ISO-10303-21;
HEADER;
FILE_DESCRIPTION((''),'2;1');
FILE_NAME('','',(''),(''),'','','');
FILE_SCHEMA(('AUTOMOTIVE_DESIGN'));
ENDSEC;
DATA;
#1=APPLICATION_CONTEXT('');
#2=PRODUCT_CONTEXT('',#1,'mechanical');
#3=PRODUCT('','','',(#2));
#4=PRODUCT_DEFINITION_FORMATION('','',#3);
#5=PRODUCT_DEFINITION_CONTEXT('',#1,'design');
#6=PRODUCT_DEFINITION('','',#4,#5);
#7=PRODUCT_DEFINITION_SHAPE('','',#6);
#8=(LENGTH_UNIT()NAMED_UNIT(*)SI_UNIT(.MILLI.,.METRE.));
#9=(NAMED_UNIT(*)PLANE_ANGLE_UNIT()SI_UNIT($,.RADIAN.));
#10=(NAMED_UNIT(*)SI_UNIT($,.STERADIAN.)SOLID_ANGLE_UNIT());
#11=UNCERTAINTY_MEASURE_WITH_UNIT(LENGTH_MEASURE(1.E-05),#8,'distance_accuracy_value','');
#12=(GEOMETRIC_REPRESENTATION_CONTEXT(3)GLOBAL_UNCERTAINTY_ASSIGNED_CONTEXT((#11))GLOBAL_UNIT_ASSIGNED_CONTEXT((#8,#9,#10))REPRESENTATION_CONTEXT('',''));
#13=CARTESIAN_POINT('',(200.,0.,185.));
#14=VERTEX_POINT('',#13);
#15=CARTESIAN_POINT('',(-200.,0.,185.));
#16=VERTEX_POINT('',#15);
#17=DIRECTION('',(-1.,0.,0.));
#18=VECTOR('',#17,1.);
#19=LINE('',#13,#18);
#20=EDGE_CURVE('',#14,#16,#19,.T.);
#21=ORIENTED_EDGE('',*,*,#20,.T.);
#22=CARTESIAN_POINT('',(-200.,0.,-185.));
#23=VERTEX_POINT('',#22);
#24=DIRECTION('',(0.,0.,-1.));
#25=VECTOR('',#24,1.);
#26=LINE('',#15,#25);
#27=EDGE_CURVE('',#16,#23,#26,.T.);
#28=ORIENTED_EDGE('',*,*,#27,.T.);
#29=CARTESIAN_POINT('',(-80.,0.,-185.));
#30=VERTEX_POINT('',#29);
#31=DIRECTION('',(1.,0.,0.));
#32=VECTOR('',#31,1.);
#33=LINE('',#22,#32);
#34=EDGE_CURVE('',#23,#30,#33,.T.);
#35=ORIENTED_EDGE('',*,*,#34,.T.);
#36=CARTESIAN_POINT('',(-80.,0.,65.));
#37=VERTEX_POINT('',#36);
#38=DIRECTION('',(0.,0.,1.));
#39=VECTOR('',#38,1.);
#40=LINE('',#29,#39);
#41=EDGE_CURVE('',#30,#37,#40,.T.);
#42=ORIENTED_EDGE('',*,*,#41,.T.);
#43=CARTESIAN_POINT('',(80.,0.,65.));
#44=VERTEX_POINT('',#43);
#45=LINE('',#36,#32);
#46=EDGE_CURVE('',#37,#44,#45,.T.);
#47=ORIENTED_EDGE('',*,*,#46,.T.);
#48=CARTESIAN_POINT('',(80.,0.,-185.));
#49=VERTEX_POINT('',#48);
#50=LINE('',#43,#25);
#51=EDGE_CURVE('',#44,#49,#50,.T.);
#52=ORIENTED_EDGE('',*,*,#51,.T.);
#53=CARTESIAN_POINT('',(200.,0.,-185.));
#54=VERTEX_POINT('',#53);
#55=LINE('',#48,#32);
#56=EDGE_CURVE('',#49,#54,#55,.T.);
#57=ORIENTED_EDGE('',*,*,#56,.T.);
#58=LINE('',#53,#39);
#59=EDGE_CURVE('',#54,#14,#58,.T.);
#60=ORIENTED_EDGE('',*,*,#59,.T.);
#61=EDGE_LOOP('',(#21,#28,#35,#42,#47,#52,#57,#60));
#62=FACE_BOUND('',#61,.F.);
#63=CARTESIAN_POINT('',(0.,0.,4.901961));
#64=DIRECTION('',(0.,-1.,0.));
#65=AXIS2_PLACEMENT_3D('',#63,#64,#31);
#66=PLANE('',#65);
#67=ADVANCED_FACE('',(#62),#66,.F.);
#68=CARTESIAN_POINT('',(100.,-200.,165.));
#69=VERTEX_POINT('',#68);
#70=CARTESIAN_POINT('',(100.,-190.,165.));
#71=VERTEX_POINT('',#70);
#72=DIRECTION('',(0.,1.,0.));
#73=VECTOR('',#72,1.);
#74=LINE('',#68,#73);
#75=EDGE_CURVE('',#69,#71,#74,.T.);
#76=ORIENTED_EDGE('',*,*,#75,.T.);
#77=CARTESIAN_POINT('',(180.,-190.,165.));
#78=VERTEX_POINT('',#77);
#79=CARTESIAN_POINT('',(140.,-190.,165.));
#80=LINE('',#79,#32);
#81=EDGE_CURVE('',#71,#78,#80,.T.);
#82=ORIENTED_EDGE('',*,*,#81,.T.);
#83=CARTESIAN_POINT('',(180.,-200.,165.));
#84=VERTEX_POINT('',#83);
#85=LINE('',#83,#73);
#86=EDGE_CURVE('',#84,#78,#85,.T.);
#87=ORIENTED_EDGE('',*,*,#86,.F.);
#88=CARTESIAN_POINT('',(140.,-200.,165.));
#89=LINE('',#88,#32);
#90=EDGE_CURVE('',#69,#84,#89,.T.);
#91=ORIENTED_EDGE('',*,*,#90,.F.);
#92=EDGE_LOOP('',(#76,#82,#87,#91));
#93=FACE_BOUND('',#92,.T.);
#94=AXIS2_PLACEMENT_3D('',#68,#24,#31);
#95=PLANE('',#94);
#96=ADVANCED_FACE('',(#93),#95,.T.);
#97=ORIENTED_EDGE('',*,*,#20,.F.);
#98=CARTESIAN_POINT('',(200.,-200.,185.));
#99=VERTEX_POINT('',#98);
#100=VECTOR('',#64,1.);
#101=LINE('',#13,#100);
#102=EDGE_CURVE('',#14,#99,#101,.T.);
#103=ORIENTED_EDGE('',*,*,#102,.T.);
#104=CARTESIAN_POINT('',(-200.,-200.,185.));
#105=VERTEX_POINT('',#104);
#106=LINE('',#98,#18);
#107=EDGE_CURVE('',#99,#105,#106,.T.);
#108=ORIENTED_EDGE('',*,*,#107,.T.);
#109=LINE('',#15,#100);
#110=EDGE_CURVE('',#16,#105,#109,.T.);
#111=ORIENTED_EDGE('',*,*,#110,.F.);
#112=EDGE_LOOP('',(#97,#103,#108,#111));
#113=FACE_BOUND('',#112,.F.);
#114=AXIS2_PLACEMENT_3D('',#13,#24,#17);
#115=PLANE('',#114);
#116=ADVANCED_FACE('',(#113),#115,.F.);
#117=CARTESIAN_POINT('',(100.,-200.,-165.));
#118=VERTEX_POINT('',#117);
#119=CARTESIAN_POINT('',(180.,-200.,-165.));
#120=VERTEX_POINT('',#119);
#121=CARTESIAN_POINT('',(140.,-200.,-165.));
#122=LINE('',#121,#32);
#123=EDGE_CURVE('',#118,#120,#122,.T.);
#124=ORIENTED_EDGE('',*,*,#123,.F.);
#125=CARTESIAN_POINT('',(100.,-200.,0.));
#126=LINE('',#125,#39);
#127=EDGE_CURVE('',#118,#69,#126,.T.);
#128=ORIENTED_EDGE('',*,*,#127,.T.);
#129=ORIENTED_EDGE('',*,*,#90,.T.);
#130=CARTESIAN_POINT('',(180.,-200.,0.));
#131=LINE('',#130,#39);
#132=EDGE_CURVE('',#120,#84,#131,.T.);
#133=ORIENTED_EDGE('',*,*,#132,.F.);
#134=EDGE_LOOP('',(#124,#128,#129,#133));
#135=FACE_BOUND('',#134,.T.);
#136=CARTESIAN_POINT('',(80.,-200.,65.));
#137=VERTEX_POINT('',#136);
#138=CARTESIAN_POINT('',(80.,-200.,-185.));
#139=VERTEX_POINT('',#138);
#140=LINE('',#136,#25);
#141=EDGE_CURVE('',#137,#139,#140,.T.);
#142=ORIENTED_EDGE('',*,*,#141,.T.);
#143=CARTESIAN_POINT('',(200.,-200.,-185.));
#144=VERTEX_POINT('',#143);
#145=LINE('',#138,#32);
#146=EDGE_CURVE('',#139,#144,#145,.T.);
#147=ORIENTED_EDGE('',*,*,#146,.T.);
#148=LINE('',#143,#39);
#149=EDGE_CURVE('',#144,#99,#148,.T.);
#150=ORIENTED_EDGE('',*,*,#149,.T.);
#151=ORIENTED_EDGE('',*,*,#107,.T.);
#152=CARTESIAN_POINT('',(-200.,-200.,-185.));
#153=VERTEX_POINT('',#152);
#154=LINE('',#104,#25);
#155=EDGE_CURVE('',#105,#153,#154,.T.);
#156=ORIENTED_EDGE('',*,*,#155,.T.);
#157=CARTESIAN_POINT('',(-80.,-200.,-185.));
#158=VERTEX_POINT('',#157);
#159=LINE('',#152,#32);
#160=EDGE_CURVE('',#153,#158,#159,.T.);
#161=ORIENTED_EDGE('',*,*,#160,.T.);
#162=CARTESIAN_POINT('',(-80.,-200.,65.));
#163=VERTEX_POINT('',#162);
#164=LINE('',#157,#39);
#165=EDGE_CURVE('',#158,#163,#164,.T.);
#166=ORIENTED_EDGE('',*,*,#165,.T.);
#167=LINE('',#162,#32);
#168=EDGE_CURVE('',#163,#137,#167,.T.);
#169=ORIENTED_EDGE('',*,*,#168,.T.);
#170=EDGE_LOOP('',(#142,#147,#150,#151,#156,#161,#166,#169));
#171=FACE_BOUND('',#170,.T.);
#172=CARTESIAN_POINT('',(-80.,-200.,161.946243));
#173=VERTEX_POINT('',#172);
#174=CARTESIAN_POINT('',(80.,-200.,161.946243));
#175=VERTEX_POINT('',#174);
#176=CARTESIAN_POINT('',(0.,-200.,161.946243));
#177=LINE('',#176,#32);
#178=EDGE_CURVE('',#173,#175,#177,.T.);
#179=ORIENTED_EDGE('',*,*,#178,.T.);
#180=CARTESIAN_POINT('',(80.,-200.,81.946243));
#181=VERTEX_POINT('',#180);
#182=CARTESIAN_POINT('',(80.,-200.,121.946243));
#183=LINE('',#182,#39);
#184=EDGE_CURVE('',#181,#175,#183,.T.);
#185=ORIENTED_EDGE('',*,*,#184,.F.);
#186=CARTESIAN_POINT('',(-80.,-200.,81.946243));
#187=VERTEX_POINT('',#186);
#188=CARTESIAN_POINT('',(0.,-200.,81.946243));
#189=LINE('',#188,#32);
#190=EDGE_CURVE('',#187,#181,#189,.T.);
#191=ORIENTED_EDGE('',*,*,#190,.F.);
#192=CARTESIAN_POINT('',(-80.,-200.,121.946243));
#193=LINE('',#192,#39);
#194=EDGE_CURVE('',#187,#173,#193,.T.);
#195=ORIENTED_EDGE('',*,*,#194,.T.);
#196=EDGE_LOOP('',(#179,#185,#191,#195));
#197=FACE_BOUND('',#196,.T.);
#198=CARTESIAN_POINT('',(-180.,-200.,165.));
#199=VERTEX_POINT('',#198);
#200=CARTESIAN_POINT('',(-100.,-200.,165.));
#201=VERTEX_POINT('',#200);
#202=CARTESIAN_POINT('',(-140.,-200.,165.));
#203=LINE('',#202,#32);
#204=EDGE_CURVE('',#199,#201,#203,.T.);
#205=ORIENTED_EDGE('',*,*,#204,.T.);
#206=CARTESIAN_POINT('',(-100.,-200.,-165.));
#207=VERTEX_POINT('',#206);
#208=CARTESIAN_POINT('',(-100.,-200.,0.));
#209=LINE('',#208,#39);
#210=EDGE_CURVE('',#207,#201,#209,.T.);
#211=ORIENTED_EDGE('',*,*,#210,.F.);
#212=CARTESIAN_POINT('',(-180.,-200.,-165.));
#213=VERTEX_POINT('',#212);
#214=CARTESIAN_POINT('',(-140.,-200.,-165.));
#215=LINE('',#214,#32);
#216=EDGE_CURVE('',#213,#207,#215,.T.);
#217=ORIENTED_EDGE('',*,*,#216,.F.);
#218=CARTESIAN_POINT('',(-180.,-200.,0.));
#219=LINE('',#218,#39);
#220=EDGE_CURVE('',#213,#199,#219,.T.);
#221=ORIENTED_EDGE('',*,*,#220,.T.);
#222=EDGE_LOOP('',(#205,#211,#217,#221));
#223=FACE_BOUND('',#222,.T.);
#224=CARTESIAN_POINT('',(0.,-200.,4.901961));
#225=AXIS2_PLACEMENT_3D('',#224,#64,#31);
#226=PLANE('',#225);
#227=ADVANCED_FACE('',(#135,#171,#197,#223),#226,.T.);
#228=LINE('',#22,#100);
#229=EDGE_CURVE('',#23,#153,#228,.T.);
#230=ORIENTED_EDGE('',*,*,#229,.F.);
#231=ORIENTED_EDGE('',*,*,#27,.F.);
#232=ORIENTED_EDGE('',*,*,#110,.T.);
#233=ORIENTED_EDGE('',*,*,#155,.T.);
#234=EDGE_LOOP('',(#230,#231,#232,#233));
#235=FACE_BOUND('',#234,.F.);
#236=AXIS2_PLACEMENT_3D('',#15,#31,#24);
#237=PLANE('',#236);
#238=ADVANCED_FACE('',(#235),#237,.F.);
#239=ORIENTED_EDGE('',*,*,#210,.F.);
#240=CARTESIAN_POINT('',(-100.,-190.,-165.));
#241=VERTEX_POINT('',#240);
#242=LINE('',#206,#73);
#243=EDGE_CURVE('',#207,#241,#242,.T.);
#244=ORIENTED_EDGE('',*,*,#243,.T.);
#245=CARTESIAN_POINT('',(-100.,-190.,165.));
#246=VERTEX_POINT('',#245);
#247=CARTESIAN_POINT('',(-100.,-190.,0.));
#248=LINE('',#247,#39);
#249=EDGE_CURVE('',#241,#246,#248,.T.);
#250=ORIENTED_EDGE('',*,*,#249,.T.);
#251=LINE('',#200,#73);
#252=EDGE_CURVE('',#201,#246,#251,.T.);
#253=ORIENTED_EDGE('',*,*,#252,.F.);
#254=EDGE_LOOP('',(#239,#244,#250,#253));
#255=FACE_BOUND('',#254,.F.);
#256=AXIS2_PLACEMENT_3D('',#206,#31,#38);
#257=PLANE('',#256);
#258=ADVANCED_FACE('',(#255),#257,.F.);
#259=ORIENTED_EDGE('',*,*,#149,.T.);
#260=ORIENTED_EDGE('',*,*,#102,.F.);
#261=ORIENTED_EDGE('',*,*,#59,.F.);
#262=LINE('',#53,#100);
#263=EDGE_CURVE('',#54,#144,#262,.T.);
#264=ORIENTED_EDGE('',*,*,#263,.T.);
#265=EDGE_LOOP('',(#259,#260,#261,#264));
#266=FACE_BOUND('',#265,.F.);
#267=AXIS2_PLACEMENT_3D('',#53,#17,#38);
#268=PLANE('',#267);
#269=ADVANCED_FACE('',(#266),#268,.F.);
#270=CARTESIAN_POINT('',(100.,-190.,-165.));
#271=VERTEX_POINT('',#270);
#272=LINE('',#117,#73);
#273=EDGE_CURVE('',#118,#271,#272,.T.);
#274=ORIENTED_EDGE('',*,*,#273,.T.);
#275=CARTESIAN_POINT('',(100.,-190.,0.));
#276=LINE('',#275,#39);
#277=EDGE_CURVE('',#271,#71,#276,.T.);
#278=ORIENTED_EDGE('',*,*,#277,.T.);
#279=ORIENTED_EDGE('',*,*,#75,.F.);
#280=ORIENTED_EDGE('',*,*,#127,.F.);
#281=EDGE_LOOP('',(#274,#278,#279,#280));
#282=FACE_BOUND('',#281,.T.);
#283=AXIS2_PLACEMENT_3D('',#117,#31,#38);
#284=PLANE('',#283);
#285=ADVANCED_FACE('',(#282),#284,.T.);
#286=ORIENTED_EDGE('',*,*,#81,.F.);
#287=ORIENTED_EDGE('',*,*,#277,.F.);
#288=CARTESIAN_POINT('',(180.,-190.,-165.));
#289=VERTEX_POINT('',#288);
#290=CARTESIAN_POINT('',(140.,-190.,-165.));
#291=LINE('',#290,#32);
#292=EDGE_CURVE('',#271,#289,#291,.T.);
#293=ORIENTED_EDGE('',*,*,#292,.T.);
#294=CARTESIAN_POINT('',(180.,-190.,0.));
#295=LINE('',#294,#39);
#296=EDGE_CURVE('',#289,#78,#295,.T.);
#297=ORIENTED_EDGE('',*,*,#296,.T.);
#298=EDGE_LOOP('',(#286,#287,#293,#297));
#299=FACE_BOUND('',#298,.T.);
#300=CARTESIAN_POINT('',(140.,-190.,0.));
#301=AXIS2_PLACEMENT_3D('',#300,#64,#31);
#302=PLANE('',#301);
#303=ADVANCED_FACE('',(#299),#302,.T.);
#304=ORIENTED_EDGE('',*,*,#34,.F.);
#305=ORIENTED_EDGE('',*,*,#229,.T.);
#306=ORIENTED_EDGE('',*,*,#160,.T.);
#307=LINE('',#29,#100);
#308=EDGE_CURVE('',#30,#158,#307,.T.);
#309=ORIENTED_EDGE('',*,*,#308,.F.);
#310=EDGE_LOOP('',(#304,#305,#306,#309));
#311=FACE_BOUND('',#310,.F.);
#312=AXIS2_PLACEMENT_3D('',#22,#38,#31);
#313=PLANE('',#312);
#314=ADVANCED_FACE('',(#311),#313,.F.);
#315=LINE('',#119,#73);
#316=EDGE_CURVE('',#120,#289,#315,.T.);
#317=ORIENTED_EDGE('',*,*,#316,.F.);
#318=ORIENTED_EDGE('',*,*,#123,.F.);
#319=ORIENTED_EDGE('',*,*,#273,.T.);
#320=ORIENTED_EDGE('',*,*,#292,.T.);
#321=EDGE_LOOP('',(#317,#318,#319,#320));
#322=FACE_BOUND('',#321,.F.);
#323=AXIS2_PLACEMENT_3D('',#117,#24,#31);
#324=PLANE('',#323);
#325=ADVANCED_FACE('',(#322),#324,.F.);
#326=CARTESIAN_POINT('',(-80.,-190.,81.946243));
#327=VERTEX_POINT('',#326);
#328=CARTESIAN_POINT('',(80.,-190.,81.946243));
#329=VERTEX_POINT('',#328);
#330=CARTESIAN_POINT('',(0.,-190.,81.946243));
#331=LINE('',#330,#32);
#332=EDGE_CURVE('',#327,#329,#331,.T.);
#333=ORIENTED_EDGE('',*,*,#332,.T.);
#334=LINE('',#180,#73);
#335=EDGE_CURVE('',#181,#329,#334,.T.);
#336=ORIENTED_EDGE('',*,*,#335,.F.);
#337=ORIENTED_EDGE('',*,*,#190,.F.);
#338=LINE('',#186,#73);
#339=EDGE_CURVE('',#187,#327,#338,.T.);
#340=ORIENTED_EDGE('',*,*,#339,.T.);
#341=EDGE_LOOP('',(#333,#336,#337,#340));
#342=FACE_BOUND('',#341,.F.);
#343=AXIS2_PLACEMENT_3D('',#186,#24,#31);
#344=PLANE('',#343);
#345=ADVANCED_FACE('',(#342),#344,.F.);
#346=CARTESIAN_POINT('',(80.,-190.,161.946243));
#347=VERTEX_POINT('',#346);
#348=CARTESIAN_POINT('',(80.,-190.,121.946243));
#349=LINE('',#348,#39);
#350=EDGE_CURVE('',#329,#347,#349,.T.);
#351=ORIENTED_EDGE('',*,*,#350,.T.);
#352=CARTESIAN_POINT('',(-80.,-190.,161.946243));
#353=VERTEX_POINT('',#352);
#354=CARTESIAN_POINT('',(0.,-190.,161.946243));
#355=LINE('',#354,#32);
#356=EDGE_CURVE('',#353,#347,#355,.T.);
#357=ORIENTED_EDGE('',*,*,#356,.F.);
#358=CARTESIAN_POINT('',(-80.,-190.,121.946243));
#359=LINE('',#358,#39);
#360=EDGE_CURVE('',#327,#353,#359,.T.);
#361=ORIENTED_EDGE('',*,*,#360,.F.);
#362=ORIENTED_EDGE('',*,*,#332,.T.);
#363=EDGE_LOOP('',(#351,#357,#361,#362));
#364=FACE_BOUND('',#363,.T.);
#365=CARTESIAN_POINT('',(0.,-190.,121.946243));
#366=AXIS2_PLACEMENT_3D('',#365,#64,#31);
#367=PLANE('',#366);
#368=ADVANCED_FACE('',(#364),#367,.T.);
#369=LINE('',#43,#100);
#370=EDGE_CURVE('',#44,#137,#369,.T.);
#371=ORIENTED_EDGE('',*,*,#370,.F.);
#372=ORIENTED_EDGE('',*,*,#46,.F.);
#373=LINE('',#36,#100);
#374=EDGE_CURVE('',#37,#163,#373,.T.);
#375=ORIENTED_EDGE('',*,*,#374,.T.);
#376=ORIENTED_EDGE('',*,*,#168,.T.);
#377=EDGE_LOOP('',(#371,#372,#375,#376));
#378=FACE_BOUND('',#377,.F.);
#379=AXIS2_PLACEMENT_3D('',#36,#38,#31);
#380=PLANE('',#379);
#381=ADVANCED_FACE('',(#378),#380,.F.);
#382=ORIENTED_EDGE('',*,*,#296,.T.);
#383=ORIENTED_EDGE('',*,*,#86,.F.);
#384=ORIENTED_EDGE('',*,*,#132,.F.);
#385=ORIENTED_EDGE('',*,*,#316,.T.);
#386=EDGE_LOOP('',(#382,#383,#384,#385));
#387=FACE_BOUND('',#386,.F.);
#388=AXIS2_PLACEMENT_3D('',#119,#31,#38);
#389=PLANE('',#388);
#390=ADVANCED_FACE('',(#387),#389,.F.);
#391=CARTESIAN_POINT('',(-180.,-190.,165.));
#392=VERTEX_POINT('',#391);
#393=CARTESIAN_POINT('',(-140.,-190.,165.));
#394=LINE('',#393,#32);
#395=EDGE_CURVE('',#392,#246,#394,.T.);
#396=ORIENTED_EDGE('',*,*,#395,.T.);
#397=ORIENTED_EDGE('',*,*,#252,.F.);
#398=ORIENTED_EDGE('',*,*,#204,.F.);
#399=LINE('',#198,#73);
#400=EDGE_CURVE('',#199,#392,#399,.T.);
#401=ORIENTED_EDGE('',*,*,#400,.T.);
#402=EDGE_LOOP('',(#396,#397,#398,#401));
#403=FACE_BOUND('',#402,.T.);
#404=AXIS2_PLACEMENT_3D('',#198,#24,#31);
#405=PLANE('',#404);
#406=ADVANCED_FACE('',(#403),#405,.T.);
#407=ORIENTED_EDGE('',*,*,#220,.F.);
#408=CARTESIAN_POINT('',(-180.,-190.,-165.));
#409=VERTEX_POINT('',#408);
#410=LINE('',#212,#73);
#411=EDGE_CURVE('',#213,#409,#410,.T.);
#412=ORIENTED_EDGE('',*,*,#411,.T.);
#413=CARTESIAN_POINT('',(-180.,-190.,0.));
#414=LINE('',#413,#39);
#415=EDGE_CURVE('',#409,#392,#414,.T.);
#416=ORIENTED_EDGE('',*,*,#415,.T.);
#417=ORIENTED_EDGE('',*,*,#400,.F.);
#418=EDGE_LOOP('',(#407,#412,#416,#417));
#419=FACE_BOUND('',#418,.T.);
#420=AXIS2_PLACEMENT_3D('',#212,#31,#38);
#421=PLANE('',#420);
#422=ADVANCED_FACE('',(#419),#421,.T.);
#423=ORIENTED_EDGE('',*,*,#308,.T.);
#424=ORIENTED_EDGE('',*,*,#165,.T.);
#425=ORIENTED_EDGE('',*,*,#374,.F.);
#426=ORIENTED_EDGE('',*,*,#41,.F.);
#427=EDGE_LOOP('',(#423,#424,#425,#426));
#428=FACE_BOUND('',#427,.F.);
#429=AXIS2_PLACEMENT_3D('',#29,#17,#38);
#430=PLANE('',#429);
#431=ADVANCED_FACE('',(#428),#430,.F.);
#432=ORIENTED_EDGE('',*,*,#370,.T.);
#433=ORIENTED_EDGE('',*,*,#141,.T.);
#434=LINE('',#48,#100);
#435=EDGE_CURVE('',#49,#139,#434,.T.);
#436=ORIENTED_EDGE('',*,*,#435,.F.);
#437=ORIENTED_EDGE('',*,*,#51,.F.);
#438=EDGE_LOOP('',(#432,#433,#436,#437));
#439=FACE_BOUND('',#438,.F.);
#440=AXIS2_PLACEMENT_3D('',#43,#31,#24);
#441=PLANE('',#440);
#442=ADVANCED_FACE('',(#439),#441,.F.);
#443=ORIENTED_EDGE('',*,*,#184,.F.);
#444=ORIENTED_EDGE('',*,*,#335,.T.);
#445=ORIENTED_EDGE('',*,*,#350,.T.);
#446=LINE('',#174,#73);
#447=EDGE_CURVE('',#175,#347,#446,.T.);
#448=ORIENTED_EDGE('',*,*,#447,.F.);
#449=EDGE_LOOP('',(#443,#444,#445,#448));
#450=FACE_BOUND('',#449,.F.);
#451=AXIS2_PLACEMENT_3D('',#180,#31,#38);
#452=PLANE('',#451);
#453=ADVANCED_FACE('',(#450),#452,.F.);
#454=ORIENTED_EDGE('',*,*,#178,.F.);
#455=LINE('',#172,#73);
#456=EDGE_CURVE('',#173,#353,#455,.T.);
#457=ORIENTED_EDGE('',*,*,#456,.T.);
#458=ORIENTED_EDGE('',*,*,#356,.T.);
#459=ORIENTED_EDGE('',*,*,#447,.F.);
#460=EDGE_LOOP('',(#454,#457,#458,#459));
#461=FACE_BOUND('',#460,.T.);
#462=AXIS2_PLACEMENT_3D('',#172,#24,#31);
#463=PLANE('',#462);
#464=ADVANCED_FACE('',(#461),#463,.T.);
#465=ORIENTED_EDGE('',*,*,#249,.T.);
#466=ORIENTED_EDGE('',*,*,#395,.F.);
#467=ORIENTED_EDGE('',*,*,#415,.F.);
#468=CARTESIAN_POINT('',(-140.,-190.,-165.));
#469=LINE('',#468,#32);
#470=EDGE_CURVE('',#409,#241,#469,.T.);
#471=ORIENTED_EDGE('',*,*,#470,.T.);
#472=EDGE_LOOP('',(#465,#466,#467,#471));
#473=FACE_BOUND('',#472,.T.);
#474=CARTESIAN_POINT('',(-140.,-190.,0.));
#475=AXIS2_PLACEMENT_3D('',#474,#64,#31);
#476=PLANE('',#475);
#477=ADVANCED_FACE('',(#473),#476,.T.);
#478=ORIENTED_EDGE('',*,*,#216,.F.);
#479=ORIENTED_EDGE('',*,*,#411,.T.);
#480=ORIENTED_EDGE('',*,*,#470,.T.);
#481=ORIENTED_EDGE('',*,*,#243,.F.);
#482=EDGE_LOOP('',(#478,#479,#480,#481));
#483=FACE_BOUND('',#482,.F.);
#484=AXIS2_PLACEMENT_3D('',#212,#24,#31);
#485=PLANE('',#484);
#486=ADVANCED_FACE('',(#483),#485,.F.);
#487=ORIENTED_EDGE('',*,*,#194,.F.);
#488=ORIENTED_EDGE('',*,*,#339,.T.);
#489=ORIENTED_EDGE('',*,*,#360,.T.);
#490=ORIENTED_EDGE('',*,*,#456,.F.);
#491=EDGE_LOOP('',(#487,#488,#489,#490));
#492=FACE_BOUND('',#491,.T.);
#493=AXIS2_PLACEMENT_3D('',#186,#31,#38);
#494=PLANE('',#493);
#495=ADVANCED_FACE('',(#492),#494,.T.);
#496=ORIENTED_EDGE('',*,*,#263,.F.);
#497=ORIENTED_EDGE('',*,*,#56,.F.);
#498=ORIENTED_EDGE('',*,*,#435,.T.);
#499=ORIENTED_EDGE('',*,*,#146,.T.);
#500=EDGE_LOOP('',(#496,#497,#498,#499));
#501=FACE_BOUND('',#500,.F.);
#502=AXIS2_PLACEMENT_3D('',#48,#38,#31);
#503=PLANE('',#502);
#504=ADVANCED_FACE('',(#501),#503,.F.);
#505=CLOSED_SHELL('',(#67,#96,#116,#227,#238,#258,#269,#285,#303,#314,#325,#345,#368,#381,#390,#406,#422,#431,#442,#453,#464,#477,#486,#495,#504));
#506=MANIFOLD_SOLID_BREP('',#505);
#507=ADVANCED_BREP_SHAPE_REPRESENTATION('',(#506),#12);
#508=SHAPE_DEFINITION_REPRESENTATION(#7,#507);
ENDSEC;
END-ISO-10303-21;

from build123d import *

# Parameters (mm, degrees)
F1_DEPTH = 200
F2_W     = 80
F2_H     = 330
F2_W_2   = 160
F2_H_2   = 80
F3_DEPTH = 10


with BuildPart() as f1:
    # F0 (on Front) → F1 (new body)
    with BuildSketch(Plane.XZ):
        Polygon((80, -185), (200, -185), (200, 185), (-200, 185), (-200, -185), (-80, -185), (-80, 65), (80, 65), align=None)
    extrude(amount=F1_DEPTH)

    # F2 (on face) → F3 (cut)
    with BuildSketch(Plane.XZ.offset(200)):
        with Locations((-140, 0)):
            Rectangle(F2_W, F2_H)
        with Locations((0, 121.946243)):
            Rectangle(F2_W_2, F2_H_2)
        with Locations((140, 0)):
            Rectangle(F2_W, F2_H)
    extrude(amount=-F3_DEPTH, mode=Mode.SUBTRACT)


solid = f1.part
